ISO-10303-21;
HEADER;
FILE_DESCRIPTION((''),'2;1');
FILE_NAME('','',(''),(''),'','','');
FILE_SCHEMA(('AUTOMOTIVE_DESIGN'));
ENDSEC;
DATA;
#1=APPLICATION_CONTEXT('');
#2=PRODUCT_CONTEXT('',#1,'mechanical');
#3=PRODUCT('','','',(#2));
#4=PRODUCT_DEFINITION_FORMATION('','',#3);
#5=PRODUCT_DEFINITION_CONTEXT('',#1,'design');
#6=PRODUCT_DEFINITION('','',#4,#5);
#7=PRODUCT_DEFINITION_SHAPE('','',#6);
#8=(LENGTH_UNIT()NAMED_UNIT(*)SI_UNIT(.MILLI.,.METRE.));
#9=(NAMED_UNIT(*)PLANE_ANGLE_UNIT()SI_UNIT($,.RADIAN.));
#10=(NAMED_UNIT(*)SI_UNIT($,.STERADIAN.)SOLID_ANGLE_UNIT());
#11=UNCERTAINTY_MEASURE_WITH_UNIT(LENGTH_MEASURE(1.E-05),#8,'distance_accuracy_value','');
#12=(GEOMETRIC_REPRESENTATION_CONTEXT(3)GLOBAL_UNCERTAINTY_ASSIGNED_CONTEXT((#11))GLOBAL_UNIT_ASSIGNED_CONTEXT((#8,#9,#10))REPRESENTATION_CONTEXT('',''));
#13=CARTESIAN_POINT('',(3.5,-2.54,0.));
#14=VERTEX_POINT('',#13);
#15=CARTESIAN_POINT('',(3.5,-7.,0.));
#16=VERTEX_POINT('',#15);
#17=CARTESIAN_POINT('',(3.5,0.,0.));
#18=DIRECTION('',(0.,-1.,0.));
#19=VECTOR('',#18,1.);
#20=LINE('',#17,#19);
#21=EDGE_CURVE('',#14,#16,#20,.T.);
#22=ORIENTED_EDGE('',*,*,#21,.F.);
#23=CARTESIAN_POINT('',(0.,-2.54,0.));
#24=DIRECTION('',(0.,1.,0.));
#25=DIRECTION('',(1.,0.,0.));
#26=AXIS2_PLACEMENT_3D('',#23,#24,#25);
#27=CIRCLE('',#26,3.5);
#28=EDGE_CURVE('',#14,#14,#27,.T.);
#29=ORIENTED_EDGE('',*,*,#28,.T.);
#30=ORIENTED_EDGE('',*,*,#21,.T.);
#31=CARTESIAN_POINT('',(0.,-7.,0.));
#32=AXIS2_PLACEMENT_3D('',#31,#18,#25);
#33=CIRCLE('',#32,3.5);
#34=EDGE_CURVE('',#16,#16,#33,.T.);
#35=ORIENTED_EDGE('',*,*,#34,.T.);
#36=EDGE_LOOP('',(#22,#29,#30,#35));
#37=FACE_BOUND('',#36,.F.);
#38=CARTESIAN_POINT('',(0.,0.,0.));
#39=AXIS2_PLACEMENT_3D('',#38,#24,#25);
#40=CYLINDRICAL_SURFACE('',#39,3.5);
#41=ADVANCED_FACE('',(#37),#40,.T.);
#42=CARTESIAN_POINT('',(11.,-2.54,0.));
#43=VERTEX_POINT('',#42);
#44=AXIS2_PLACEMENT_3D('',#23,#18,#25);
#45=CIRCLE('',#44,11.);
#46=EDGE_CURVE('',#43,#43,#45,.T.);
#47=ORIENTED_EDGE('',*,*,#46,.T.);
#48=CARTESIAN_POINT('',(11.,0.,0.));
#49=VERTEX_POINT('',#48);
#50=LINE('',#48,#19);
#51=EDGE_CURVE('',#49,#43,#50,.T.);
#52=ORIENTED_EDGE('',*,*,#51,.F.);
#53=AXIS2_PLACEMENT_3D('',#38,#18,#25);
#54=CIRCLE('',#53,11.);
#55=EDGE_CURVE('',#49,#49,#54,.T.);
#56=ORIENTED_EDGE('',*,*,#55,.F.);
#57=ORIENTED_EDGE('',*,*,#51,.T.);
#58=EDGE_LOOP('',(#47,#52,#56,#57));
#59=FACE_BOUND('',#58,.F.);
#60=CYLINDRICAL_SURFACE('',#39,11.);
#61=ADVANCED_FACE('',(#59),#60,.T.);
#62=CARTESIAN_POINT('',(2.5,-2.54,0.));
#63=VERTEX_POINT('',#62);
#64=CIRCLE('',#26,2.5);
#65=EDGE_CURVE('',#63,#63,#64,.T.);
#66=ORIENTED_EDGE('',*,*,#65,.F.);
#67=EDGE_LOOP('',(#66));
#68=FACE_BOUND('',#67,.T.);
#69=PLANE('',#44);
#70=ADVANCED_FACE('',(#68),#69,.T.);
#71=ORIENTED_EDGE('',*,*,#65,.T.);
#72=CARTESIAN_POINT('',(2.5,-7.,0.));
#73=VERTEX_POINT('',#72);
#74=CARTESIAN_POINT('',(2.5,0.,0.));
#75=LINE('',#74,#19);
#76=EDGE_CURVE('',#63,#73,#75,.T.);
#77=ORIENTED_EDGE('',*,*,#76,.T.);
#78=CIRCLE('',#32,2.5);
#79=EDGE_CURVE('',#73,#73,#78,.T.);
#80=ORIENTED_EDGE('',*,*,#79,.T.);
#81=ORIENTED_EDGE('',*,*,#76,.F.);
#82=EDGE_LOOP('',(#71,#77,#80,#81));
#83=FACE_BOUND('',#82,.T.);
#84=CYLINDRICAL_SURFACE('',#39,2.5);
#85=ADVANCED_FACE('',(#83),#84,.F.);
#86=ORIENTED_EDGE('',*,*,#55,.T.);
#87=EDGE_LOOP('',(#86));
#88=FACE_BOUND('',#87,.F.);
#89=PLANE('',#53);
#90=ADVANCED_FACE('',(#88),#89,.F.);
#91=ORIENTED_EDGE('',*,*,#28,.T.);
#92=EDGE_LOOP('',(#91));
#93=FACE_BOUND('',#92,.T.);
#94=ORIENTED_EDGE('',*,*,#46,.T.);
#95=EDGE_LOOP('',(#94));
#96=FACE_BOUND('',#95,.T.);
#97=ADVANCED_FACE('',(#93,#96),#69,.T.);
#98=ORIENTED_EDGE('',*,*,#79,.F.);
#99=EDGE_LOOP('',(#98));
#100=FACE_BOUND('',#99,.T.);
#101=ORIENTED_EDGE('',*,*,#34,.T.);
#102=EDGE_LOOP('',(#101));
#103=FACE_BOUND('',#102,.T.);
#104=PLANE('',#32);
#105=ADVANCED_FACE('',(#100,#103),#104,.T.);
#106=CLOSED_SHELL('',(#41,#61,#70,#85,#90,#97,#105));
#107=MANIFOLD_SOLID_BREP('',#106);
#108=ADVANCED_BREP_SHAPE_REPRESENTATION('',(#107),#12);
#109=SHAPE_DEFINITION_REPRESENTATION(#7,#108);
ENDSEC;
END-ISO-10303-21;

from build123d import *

# Parameters (mm, degrees)
F0_R     = 3.5
F0_R_2   = 2.5
F1_DEPTH = 7
F2_R     = 11
F3_DEPTH = 2.54


with BuildPart() as f1:
    # F0 (on Front) → F1 (new body)
    with BuildSketch(Plane.XZ):
        Circle(F0_R)
        Circle(F0_R_2, mode=Mode.SUBTRACT)
    extrude(amount=F1_DEPTH)

    # F2 (on Front) → F3 (join)
    with BuildSketch(Plane.XZ):
        Circle(F2_R)
    extrude(amount=F3_DEPTH)


solid = f1.part
